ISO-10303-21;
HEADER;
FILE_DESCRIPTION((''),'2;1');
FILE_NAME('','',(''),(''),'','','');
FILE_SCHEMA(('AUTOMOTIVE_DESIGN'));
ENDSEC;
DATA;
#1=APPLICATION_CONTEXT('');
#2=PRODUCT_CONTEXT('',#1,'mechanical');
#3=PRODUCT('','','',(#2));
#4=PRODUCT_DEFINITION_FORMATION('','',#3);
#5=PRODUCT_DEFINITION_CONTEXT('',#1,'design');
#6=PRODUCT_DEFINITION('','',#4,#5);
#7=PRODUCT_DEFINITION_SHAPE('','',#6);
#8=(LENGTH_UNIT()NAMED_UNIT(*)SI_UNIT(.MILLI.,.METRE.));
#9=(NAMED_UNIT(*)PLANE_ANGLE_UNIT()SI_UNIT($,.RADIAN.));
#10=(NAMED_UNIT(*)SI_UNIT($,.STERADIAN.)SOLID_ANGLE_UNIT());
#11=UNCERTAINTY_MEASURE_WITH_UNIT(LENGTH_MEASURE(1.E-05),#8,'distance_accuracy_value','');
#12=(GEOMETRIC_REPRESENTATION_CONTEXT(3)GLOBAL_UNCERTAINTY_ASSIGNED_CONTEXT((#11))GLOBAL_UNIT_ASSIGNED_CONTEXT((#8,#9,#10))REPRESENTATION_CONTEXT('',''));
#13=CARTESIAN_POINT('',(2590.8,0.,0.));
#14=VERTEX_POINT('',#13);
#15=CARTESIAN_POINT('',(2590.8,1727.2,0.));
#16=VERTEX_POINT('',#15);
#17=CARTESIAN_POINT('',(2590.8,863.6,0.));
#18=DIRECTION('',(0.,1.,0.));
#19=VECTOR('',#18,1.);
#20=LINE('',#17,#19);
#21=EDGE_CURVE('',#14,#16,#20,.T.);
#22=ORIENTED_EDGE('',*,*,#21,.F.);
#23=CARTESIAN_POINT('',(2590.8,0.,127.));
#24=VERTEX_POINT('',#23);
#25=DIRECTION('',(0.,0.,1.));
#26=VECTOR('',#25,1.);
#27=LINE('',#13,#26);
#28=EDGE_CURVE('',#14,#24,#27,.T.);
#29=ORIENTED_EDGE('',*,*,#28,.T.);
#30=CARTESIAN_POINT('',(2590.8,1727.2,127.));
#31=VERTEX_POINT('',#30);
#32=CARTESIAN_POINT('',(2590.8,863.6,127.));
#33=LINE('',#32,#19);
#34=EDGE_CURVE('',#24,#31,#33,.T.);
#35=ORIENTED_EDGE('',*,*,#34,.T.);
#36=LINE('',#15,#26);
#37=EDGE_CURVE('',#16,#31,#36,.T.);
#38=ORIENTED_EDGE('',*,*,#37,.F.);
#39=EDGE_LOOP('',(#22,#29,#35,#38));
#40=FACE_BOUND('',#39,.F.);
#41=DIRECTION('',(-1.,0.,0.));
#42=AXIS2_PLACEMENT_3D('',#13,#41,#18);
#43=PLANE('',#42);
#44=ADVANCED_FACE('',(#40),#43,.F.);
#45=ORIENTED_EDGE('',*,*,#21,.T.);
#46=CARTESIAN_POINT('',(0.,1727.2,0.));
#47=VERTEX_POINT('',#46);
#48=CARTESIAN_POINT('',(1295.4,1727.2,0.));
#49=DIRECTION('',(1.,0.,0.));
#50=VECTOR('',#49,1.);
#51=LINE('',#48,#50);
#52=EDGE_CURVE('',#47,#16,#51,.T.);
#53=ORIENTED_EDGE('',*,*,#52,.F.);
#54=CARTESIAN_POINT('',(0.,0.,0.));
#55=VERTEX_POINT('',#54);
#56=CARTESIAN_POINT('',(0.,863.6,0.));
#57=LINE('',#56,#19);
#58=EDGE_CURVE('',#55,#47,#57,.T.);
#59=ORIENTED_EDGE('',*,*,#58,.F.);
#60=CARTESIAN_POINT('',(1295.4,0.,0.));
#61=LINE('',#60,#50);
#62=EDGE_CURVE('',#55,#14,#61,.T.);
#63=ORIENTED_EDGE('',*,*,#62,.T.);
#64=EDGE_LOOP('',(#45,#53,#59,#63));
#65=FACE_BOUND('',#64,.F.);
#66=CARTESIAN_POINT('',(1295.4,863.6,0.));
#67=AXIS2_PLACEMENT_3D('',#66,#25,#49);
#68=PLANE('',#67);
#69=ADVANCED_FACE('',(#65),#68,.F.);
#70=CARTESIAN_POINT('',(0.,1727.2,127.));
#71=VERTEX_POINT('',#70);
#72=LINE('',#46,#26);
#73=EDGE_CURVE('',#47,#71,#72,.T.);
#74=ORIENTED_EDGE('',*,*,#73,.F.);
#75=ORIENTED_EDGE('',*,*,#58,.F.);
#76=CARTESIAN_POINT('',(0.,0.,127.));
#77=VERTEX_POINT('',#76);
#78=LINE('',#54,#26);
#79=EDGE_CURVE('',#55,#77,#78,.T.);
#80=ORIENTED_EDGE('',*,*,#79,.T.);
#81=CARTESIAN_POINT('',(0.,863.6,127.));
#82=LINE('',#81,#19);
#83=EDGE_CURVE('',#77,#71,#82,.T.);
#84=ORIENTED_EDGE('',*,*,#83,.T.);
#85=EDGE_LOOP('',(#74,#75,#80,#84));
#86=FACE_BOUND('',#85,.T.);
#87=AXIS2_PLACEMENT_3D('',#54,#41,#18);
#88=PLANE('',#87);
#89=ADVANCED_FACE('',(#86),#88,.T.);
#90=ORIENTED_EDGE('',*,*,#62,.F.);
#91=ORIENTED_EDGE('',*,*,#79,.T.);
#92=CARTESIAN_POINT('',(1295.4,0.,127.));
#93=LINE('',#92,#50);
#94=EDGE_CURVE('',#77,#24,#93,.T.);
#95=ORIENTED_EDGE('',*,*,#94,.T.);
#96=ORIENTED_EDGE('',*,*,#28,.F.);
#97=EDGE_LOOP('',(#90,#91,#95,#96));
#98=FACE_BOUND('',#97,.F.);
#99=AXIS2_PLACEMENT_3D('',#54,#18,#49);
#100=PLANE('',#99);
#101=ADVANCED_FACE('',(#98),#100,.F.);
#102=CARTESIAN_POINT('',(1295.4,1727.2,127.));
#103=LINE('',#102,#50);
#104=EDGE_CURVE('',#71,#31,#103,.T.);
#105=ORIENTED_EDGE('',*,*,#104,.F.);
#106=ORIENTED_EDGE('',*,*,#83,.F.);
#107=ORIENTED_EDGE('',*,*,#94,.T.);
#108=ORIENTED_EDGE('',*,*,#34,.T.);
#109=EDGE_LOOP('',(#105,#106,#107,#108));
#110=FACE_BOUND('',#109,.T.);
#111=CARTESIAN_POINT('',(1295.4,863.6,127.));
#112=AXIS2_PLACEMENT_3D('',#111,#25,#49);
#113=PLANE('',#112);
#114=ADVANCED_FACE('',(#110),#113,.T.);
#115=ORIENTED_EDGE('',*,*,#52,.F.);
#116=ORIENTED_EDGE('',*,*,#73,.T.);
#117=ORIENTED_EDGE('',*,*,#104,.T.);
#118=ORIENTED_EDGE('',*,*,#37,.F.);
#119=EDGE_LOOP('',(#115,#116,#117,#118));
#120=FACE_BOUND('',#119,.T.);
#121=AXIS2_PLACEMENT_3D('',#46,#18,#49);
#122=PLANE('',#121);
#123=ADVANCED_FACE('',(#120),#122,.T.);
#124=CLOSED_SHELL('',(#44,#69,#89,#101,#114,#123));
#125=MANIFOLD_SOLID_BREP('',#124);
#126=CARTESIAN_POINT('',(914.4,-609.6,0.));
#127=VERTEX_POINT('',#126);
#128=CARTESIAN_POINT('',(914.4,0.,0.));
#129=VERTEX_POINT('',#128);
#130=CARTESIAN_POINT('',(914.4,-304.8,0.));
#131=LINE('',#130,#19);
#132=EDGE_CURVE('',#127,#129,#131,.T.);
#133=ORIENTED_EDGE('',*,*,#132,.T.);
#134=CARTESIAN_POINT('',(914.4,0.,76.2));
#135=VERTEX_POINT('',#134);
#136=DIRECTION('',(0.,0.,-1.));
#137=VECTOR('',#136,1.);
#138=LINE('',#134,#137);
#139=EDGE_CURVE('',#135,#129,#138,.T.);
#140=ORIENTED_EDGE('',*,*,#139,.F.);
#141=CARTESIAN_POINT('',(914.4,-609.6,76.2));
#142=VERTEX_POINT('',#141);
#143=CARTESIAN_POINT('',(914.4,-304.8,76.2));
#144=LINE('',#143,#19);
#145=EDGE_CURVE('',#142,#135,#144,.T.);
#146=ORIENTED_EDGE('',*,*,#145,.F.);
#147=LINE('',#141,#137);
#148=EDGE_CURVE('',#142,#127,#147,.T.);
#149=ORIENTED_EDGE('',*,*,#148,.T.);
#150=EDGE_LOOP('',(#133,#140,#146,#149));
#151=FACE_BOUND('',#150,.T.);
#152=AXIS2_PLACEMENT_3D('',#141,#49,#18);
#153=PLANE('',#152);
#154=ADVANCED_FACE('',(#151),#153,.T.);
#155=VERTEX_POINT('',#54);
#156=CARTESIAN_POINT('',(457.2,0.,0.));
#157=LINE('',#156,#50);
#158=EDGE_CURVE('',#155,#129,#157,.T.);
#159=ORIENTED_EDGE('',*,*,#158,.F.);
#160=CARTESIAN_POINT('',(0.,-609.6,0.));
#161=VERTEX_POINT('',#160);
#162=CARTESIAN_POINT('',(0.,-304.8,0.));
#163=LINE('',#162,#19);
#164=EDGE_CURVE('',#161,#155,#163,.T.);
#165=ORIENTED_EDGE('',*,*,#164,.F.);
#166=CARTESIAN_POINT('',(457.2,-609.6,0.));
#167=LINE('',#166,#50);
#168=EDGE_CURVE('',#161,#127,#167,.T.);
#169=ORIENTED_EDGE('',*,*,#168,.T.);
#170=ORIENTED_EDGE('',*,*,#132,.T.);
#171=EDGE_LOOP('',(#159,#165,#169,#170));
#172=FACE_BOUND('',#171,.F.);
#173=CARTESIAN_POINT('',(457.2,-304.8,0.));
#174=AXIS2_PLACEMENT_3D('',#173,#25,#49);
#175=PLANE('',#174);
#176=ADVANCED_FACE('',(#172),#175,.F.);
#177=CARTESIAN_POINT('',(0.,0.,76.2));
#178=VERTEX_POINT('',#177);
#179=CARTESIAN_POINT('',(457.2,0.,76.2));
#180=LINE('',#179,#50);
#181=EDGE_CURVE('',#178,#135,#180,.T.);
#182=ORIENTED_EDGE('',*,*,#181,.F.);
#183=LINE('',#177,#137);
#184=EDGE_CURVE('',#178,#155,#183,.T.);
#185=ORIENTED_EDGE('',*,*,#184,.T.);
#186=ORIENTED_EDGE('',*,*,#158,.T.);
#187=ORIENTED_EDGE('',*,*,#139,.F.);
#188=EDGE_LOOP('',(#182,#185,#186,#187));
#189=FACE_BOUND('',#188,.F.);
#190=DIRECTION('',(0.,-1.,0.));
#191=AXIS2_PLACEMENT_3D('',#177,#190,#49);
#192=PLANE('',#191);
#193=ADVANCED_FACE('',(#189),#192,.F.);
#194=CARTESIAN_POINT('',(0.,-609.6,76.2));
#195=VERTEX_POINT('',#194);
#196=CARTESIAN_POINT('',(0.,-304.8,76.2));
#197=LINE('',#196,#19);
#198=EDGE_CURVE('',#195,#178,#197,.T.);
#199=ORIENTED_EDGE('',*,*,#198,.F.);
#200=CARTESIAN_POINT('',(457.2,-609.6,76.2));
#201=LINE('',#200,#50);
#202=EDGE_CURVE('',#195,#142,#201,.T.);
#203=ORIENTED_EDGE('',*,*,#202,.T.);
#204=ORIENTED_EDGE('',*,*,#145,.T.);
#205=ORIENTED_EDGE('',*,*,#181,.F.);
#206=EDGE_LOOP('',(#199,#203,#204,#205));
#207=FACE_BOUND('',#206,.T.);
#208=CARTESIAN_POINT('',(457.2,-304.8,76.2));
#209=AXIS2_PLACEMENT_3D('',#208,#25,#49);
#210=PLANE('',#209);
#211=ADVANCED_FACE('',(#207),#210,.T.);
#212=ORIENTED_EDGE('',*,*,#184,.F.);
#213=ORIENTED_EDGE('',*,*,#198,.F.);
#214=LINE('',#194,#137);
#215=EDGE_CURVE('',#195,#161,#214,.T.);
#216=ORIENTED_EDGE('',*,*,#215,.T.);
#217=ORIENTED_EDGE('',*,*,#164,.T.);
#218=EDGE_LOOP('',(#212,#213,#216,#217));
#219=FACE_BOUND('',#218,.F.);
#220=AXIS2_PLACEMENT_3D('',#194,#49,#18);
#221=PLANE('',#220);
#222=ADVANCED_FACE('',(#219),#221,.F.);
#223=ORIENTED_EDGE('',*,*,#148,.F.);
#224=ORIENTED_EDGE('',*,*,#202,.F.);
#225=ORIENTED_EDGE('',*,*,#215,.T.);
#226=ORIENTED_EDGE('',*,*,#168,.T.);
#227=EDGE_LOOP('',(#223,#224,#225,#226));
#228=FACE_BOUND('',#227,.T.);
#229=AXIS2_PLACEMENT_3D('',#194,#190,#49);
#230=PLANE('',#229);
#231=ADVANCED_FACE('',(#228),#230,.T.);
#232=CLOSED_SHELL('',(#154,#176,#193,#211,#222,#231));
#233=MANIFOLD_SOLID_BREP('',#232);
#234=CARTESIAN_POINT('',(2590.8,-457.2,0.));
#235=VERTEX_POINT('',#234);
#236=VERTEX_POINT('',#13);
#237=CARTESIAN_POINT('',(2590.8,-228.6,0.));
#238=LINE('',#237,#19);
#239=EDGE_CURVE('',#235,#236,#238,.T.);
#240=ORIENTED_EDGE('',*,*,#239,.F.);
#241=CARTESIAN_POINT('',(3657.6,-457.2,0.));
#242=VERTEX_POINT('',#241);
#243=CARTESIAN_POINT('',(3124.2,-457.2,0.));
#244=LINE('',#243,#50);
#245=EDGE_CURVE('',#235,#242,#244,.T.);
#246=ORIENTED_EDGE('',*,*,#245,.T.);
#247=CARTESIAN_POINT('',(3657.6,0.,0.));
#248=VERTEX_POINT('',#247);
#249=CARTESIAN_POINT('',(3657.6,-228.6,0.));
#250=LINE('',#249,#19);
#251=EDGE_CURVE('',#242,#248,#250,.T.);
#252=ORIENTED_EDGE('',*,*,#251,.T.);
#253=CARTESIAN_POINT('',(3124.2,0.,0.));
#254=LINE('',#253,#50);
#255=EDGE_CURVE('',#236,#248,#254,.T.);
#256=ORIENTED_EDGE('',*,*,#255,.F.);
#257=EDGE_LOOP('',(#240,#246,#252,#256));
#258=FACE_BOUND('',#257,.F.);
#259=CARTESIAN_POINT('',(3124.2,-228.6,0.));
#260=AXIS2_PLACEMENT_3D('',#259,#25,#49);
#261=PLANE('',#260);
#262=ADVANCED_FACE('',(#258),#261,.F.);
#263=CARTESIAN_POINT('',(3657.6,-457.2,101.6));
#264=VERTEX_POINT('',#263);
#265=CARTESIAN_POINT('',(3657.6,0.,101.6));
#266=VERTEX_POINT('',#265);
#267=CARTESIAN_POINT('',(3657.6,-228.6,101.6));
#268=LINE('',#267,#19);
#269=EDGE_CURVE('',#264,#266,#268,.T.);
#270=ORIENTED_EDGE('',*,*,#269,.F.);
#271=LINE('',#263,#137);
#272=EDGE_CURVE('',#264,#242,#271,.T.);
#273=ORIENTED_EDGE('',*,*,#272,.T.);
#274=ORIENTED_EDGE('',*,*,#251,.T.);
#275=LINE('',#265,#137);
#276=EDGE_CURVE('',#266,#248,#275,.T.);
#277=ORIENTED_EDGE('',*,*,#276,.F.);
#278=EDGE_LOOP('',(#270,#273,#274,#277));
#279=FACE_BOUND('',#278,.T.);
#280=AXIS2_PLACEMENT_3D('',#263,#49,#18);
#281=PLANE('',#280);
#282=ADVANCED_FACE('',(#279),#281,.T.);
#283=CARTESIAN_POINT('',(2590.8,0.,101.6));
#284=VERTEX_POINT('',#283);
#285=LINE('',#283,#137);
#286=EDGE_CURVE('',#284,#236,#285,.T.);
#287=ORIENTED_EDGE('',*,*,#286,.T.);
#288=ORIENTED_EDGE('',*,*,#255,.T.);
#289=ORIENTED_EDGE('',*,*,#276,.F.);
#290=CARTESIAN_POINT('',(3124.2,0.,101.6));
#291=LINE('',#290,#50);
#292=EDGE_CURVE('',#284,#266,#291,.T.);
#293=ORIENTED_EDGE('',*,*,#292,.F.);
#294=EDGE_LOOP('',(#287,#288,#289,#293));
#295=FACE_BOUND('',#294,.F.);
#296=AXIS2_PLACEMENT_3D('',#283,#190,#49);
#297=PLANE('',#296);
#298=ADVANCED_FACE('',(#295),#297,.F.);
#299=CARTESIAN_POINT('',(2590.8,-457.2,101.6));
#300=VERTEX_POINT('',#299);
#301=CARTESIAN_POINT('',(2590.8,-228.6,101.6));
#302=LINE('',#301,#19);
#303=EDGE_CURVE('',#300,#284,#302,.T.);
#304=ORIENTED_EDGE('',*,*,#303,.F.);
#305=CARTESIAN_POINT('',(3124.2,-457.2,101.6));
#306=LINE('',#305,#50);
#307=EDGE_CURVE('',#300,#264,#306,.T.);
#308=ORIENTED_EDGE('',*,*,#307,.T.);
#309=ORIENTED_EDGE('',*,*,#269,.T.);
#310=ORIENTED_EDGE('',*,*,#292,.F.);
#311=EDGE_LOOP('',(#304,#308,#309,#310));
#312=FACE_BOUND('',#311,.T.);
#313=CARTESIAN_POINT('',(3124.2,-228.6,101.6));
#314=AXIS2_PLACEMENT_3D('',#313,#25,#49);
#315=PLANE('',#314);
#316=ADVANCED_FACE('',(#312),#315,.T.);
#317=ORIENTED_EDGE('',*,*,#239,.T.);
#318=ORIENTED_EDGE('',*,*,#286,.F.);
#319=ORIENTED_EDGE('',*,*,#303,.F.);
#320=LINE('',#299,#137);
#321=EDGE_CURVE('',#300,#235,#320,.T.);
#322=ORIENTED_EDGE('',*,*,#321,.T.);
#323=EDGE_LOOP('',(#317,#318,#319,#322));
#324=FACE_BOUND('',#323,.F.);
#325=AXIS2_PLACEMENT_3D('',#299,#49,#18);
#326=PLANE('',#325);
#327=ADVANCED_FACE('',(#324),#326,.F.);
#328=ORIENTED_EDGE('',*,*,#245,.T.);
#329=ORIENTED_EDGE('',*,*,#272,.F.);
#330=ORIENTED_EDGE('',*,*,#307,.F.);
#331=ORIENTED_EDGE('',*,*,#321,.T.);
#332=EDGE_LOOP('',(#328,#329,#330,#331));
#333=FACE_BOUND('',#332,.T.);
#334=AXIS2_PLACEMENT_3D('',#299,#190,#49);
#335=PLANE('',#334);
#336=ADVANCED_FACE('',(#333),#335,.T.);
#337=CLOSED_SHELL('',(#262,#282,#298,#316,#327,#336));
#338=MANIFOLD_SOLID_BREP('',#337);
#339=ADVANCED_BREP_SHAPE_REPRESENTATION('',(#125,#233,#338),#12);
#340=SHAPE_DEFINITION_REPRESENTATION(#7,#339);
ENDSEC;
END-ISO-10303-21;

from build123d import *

# Parameters (mm, degrees)
F0_W     = 2590.8
F0_H     = 1727.2
F1_DEPTH = 127
F3_START = -25.4
F2_W     = 1066.8
F2_H     = 457.2
F3_DEPTH = 101.6
F5_START = -50.8
F4_W     = 914.4
F4_H     = 609.6
F5_DEPTH = 76.2


with BuildPart() as f1:
    # F0 (on Top) → F1 (new body)
    with BuildSketch(Plane.XY):
        with Locations((1295.4, 863.6)):
            Rectangle(F0_W, F0_H)
    extrude(amount=F1_DEPTH)


with BuildPart() as f3:
    # F2 (on face) → F3 (new body)
    with BuildSketch(Plane.XY.offset(127).offset(F3_START)):
        with Locations((3124.2, -228.6)):
            Rectangle(F2_W, F2_H)
    extrude(amount=-F3_DEPTH)


with BuildPart() as f5:
    # F4 (on face) → F5 (new body)
    with BuildSketch(Plane.XY.offset(127).offset(F5_START)):
        with Locations((457.2, -304.8)):
            Rectangle(F4_W, F4_H)
    extrude(amount=-F5_DEPTH)


solid = Compound([f1.part, f3.part, f5.part])
